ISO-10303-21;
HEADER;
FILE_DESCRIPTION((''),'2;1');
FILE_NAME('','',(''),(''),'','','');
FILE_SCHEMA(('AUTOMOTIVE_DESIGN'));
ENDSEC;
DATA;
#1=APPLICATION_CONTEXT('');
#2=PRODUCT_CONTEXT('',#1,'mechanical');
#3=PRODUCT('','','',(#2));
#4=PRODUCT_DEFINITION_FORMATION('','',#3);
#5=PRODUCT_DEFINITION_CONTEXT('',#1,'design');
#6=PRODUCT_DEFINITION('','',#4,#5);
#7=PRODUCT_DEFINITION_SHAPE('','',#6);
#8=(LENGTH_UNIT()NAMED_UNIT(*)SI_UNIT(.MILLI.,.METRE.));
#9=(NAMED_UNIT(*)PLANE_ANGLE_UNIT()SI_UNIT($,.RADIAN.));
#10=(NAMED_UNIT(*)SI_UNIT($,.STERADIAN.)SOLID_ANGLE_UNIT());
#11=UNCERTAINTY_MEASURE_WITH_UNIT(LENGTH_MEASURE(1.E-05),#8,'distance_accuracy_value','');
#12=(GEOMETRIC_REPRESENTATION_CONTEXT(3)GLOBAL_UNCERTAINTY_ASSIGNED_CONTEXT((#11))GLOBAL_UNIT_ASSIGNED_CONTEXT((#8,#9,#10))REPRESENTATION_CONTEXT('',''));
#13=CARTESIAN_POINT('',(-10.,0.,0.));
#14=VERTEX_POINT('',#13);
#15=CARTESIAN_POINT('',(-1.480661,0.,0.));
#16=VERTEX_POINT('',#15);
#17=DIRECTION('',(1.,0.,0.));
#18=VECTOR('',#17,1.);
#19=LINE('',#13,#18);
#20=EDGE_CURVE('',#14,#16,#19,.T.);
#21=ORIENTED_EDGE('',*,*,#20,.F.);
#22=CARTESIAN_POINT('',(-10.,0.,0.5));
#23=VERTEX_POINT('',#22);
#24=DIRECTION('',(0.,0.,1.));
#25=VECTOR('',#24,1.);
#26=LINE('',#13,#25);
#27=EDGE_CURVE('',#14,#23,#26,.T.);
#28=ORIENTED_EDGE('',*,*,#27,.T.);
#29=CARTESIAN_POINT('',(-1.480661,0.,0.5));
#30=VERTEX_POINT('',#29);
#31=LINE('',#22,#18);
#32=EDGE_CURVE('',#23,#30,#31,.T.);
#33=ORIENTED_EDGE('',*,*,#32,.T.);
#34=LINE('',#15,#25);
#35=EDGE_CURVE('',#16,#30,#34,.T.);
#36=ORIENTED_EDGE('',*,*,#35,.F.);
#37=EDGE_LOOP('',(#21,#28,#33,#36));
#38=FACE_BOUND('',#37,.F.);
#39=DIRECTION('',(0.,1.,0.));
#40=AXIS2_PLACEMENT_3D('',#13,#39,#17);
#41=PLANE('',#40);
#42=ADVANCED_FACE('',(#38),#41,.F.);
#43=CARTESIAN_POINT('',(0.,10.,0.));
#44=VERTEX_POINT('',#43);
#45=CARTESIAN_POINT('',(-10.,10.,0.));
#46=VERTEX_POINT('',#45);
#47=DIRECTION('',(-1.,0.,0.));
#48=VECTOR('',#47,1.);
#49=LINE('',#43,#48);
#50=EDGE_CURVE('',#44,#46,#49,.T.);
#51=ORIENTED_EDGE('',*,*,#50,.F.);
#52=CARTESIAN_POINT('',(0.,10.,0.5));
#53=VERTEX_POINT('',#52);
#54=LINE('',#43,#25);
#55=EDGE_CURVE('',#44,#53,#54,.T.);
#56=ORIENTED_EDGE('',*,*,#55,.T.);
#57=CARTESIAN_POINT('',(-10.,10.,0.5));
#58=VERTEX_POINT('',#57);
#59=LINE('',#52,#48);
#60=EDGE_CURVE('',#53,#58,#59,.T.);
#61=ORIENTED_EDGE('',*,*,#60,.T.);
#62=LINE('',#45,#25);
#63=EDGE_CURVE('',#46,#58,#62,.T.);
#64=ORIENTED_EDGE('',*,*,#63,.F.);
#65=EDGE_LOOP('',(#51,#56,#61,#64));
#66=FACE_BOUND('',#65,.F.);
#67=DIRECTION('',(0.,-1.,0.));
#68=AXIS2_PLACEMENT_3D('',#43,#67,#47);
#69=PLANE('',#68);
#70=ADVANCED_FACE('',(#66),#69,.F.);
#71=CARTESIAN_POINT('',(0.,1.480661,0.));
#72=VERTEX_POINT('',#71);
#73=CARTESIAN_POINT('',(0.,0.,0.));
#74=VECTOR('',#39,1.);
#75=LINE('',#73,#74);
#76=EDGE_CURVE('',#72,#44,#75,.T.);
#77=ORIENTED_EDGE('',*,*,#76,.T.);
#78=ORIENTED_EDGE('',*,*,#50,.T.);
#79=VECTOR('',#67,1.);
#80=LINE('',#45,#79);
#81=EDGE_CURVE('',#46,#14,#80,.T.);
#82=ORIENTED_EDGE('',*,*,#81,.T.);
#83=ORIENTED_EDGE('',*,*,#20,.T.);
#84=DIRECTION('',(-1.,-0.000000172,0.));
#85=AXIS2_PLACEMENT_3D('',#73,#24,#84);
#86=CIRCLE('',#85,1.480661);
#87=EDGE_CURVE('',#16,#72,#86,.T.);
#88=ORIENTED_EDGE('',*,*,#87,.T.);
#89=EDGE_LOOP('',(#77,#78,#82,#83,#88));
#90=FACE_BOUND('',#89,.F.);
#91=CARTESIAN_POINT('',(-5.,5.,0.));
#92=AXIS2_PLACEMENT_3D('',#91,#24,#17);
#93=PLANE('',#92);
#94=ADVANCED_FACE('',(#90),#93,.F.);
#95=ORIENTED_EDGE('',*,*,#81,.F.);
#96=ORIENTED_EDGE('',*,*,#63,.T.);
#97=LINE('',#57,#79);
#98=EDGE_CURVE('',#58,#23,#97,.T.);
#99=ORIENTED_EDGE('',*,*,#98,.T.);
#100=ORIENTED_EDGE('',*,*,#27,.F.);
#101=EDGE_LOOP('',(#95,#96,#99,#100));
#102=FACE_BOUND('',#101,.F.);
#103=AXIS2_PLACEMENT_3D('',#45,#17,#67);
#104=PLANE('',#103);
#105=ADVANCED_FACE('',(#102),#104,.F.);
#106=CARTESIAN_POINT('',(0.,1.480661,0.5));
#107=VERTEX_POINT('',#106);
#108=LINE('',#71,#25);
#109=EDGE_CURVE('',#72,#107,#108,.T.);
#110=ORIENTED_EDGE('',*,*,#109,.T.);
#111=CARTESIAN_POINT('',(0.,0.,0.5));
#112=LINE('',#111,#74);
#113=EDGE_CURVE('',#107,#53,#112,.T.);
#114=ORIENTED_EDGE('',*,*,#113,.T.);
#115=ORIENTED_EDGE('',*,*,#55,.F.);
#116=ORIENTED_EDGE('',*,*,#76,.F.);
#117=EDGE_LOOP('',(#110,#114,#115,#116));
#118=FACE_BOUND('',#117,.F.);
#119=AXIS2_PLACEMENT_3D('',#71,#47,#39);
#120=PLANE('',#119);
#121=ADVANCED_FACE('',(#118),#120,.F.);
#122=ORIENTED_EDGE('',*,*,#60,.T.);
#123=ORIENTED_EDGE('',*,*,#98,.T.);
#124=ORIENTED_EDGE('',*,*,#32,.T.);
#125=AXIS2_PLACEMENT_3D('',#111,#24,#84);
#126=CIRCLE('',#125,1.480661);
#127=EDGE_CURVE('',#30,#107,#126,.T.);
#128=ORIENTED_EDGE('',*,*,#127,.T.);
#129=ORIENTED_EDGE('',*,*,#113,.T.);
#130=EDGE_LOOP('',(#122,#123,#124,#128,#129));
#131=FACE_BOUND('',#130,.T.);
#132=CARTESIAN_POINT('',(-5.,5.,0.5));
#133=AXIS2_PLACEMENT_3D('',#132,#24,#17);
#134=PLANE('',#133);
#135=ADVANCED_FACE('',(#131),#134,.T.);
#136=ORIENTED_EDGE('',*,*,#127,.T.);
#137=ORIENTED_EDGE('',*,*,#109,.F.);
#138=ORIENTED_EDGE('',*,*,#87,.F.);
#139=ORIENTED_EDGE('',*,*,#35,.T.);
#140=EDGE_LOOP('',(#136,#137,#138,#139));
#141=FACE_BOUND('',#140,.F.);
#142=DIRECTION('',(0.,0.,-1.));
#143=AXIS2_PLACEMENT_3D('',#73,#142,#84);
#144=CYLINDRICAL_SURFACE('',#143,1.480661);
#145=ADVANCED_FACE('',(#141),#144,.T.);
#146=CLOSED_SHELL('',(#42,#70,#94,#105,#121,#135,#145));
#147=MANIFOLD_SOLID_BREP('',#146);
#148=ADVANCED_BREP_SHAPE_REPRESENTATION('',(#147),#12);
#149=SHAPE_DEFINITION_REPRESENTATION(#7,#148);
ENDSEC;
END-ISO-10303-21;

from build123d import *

# Parameters (mm, degrees)
F1_DEPTH = 0.5


with BuildPart() as f1:
    # F0 (on Top) → F1 (new body)
    with BuildSketch(Plane.XY):
        Polygon((0, 10), (-10, 10), (-10, 0), (-1.480661, 0), (0, 0), (0, 1.480661), align=None)
        with BuildLine():
            ThreePointArc((-1.480661, 0), (1.046985, -1.046985), (0, 1.480661))
            Line((0, 1.480661), (0, 0))
            Line((0, 0), (-1.480661, 0))
        make_face()
    extrude(amount=F1_DEPTH)


solid = f1.part
